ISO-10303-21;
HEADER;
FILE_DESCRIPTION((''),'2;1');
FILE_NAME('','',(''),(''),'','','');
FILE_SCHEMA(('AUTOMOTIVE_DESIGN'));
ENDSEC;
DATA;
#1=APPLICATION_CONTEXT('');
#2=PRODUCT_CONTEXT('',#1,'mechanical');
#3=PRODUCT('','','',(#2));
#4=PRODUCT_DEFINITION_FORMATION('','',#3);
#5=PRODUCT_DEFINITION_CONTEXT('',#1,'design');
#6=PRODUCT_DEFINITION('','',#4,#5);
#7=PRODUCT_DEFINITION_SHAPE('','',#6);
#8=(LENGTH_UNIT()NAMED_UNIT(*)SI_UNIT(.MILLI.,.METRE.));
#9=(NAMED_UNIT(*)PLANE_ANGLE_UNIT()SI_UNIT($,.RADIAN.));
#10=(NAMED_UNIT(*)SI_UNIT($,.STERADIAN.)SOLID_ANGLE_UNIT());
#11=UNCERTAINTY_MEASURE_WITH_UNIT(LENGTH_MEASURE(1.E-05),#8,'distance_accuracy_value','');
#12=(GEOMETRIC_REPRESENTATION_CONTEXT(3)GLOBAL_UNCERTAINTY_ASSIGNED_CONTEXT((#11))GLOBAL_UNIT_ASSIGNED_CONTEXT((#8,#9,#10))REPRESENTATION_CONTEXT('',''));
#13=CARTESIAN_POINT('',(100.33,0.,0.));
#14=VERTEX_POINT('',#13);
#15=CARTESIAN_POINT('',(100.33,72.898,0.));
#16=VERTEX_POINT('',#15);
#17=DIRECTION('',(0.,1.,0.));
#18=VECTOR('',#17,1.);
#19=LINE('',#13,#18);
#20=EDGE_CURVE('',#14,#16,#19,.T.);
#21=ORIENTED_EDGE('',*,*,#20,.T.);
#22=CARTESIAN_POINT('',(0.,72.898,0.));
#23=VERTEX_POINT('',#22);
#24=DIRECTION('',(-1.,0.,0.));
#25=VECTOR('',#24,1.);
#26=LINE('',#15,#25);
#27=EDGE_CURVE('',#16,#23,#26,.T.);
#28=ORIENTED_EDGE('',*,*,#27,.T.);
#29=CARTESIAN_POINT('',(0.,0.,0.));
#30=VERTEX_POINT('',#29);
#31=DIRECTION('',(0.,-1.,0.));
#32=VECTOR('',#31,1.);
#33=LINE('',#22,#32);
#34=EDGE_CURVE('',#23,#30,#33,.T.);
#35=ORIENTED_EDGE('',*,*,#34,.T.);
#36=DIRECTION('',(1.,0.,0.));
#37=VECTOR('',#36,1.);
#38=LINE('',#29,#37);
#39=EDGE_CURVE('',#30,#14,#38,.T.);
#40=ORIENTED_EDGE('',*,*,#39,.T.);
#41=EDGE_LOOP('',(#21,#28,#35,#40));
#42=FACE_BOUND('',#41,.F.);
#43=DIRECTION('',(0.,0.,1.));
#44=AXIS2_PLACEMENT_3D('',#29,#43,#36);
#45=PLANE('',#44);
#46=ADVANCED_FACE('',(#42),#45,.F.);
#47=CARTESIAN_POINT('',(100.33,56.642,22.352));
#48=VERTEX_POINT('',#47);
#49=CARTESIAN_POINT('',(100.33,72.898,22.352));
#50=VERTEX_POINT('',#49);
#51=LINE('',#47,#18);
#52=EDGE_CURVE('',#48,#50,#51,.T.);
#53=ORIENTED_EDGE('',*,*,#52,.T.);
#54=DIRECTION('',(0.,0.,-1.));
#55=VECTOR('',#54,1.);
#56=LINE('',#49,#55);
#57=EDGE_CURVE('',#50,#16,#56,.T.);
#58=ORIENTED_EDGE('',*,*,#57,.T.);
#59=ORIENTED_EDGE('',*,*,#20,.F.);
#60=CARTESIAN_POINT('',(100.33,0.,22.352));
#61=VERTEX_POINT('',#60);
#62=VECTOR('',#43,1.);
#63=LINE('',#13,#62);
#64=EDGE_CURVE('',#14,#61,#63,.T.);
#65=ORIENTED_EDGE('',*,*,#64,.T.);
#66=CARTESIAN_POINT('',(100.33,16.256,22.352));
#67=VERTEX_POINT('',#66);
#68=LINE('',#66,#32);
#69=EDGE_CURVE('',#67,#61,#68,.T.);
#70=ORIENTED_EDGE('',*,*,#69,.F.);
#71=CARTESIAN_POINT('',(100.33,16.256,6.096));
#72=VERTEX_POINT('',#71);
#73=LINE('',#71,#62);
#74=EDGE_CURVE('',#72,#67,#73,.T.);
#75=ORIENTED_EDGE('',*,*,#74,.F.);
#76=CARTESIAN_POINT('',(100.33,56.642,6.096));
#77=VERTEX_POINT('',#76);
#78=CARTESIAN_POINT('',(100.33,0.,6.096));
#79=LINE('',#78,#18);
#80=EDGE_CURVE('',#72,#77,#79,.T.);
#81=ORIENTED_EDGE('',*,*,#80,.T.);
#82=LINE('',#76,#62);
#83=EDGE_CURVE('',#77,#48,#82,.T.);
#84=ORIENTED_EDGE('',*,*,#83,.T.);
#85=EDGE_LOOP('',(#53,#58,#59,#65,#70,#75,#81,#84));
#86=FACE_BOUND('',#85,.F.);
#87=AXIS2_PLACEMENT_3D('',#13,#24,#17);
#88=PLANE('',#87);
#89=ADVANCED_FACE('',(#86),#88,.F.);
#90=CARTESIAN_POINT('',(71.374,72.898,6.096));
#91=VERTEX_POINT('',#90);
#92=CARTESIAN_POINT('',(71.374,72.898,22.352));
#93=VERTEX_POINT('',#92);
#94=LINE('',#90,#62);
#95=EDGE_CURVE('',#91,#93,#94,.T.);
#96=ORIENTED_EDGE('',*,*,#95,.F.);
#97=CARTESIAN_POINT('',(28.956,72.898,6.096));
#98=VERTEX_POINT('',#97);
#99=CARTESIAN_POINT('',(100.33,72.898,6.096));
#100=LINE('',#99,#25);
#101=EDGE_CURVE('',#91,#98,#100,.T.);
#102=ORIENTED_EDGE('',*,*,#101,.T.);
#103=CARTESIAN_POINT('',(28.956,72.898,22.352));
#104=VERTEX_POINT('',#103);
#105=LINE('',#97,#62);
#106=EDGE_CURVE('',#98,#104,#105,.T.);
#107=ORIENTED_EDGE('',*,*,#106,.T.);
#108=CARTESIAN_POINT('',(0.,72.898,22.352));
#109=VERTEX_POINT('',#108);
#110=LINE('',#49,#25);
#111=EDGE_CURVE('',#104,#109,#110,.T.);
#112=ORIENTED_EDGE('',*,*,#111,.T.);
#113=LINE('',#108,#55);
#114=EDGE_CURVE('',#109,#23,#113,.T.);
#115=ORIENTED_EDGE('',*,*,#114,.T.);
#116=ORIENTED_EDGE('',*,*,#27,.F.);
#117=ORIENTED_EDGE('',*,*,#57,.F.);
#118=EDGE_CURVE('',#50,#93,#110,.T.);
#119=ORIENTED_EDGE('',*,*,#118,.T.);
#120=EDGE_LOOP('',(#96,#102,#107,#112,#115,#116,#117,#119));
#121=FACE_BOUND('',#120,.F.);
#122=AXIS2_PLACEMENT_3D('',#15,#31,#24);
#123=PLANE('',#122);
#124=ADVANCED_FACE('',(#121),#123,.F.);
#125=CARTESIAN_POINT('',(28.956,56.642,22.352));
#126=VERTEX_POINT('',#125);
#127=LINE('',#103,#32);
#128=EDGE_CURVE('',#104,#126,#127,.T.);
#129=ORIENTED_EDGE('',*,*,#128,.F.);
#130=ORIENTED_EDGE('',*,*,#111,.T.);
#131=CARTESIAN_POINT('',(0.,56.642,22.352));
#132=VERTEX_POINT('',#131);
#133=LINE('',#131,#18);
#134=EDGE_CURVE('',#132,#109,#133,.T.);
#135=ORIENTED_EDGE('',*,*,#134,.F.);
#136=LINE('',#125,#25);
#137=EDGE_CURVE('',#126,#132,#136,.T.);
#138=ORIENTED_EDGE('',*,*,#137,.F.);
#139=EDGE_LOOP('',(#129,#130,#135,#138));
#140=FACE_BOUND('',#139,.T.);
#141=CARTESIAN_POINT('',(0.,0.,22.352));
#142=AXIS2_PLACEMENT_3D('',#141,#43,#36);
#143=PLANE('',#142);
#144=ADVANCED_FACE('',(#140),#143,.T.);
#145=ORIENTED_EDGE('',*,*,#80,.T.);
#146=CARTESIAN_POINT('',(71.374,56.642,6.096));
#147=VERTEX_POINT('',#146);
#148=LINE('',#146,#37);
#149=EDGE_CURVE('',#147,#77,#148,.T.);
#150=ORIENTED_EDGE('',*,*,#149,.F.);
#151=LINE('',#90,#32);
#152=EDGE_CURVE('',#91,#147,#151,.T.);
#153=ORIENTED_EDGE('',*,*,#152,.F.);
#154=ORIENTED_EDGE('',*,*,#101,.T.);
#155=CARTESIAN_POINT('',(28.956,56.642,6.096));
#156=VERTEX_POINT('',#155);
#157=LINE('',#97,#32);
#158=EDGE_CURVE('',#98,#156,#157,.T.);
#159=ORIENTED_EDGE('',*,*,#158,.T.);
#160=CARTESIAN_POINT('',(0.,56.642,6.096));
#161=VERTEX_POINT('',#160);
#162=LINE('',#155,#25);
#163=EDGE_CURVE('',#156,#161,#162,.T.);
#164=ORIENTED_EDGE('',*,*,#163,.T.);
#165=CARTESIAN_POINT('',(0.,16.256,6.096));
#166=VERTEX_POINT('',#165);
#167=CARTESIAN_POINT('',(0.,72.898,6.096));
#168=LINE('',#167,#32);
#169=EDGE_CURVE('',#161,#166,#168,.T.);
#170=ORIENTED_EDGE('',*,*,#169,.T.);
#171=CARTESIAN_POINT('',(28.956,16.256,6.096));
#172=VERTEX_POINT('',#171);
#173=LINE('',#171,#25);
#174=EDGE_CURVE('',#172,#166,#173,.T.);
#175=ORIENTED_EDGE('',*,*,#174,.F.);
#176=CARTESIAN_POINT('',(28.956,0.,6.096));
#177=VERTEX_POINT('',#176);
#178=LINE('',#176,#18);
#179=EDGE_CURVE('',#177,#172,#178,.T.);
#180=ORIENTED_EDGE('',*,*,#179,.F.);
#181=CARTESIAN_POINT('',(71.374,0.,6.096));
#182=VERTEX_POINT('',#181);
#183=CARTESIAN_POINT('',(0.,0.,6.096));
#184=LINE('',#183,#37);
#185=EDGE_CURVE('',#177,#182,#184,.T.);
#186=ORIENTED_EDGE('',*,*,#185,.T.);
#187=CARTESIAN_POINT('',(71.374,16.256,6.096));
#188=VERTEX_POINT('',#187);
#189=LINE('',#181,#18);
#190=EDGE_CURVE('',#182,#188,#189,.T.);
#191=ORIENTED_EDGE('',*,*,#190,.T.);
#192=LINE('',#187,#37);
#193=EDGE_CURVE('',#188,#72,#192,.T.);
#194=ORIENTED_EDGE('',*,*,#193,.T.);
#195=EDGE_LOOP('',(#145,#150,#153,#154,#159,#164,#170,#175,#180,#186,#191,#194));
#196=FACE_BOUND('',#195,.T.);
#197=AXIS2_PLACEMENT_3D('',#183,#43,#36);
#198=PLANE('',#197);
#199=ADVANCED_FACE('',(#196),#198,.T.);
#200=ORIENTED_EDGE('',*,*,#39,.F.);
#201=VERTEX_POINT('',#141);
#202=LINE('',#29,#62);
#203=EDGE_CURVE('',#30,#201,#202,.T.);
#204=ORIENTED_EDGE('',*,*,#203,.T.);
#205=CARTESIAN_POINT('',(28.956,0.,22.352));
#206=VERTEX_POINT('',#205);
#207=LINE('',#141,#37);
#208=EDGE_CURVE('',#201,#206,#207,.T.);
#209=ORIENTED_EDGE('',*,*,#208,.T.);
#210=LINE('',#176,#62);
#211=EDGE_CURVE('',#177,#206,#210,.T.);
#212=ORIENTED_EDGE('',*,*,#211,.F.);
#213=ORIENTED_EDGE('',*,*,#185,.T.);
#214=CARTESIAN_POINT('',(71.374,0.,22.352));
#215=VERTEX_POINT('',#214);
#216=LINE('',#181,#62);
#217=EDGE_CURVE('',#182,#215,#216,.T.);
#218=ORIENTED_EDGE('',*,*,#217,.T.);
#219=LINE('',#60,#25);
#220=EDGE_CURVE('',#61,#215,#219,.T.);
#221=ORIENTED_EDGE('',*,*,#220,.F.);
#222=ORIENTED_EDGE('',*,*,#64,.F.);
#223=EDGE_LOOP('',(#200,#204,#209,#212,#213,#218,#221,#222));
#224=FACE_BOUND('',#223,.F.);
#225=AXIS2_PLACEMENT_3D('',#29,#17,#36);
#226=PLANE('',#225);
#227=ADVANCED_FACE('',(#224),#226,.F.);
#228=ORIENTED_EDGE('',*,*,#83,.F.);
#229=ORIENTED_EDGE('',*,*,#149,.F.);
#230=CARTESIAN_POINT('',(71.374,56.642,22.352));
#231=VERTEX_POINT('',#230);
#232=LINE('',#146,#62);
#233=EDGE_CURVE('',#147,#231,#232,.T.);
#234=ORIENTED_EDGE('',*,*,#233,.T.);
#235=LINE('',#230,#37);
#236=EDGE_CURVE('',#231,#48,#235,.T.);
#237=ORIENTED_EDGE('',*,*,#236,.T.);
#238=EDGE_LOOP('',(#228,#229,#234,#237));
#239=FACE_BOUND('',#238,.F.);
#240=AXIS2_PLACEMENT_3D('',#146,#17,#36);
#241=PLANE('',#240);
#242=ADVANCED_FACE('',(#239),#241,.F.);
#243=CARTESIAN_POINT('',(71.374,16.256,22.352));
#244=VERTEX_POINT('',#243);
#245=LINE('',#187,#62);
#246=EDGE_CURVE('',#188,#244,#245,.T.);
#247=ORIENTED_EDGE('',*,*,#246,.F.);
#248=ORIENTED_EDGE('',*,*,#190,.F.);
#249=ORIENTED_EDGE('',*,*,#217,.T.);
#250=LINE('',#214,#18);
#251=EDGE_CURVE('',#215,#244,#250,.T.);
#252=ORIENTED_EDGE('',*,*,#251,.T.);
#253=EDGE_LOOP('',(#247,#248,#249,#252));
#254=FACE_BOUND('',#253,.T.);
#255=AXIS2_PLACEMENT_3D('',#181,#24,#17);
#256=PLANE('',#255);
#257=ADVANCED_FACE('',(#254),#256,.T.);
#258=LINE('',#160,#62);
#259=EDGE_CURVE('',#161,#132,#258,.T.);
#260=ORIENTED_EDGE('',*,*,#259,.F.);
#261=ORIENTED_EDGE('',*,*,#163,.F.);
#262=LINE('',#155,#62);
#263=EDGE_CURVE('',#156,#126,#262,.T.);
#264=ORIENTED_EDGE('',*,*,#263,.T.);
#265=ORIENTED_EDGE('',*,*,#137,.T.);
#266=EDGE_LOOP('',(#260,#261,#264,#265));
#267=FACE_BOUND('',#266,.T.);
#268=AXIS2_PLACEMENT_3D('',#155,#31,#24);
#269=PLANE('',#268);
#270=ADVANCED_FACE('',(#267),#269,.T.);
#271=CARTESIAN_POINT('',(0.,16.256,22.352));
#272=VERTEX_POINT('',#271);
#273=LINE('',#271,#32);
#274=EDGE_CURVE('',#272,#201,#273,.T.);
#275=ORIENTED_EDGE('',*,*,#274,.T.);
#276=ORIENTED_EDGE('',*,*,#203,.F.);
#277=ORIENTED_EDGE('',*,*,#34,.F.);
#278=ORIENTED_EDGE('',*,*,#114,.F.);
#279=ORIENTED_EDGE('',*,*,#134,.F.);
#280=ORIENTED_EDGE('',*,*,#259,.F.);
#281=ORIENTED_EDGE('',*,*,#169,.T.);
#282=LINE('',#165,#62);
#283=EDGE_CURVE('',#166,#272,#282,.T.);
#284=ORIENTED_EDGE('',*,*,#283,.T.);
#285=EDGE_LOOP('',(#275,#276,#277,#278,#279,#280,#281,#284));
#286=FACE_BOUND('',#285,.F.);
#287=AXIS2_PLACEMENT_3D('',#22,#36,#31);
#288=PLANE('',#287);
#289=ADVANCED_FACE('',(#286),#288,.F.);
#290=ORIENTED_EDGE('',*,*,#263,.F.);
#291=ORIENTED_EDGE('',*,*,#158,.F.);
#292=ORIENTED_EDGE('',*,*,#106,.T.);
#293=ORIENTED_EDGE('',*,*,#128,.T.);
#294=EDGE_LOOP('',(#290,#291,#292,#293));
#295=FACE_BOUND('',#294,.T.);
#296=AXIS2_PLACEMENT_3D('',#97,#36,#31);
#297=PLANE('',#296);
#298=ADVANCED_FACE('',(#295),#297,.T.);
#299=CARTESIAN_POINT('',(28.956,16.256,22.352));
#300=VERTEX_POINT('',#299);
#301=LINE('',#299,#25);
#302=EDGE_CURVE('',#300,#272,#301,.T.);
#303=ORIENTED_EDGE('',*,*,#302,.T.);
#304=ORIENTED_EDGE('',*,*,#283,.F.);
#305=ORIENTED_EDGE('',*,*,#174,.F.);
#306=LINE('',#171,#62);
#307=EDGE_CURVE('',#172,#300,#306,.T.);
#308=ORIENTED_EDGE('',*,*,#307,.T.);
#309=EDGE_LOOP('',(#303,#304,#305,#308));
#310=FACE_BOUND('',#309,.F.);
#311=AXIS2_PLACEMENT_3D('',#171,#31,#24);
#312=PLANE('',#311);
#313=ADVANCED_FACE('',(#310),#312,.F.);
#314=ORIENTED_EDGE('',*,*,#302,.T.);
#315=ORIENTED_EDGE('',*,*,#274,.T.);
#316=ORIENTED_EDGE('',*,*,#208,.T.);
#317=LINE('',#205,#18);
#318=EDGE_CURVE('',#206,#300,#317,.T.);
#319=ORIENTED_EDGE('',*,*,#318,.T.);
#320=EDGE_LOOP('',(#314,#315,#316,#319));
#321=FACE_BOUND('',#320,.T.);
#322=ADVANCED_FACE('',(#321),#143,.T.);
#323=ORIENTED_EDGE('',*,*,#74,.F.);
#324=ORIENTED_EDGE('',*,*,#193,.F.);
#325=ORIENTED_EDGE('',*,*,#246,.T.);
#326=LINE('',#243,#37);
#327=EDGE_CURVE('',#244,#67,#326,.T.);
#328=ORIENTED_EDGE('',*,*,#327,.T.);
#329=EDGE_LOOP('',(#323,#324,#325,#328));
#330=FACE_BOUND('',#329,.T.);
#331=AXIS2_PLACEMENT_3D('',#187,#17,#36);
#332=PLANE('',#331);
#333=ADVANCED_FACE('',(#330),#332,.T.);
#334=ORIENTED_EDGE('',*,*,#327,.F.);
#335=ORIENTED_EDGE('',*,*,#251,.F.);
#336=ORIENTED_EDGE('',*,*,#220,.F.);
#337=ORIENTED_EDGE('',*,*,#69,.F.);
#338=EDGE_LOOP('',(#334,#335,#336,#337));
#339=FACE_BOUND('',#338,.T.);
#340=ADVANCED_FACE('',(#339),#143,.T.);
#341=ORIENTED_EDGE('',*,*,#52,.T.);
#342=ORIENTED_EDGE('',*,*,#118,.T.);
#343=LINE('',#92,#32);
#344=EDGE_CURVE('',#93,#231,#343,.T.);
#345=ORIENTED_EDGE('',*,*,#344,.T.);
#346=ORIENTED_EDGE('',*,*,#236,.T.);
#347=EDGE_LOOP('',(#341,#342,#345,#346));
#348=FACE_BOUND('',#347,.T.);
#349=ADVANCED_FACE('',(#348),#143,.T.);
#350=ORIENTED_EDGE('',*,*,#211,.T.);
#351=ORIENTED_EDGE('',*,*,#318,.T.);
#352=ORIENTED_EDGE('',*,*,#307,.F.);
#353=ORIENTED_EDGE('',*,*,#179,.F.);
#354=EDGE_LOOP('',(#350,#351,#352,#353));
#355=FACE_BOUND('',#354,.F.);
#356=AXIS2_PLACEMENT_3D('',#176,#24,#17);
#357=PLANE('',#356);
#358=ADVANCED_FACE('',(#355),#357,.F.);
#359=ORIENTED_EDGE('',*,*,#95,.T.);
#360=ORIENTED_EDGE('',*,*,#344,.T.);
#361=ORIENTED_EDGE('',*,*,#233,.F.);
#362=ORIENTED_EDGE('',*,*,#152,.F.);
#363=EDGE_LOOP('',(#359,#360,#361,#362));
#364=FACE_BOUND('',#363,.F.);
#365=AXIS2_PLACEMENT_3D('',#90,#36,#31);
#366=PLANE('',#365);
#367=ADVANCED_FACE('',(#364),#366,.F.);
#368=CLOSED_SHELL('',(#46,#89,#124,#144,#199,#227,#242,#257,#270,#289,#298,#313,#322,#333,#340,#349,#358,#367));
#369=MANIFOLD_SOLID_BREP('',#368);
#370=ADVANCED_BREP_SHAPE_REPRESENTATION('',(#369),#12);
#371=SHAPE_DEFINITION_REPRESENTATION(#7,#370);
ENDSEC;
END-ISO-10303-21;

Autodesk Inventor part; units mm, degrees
ref_plane "YZ Plane" through (0, 0, 0) normal (1, 0, 0) x (0, 1, 0)
ref_plane "XZ Plane" through (0, 0, 0) normal (0, 1, 0) x (-1, 0, 0)
ref_plane "XY Plane" through (0, 0, 0) normal (0, 0, 1) x (1, 0, 0)
sketch "Sketch1" plane through (0, 0, 0) normal (0, 0, 1) x (1, 0, 0)
  line L0 (0, 0) -> (100.33, 0)
  line L1 (100.33, 0) -> (100.33, 72.898)
  line L2 (100.33, 72.898) -> (0, 72.898)
  line L3 (0, 72.898) -> (0, 0)
  dimension "d0" = 100.33
  dimension "d1" = 72.898
extrude "Extrusion1" add sketch "Sketch1" along normal blind 6.096
sketch "Sketch2" plane through (0, 0, 6.096) normal (0, 0, 1) x (1, 0, 0)
  line L0 (100.33, 72.898) -> (0, 72.898) projected
  line L1 (0, 72.898) -> (28.956, 72.898)
  line L2 (28.956, 72.898) -> (28.956, 56.642)
  line L3 (28.956, 56.642) -> (0, 56.642)
  line L4 (0, 56.642) -> (0, 72.898)
  line L5 (50.165, 72.898) -> (50.165, 0) construction
  line L6 (0, 0) -> (100.33, 0) construction
  line L7 (100.33, 0) -> (100.33, 72.898) construction
  line L8 (100.33, 36.449) -> (0, 36.449) construction
  line L9 (100.33, 72.898) -> (71.374, 72.898)
  line L10 (71.374, 72.898) -> (71.374, 56.642)
  line L11 (71.374, 56.642) -> (100.33, 56.642)
  line L12 (100.33, 56.642) -> (100.33, 72.898)
  line L13 (0, 0) -> (28.956, 0)
  line L14 (28.956, 0) -> (28.956, 16.256)
  line L15 (28.956, 16.256) -> (0, 16.256)
  line L16 (0, 16.256) -> (0, 0)
  line L17 (100.33, 72.898) -> (100.33, 0) construction
  line L18 (100.33, 0) -> (71.374, 0)
  line L19 (71.374, 0) -> (71.374, 16.256)
  line L20 (71.374, 16.256) -> (100.33, 16.256)
  line L21 (100.33, 16.256) -> (100.33, 0)
  dimension "d4" = 28.956
  dimension "d5" = 16.256
extrude "Extrusion2" add sketch "Sketch2" along normal blind 16.256
properties part number "Temporary Guide"
